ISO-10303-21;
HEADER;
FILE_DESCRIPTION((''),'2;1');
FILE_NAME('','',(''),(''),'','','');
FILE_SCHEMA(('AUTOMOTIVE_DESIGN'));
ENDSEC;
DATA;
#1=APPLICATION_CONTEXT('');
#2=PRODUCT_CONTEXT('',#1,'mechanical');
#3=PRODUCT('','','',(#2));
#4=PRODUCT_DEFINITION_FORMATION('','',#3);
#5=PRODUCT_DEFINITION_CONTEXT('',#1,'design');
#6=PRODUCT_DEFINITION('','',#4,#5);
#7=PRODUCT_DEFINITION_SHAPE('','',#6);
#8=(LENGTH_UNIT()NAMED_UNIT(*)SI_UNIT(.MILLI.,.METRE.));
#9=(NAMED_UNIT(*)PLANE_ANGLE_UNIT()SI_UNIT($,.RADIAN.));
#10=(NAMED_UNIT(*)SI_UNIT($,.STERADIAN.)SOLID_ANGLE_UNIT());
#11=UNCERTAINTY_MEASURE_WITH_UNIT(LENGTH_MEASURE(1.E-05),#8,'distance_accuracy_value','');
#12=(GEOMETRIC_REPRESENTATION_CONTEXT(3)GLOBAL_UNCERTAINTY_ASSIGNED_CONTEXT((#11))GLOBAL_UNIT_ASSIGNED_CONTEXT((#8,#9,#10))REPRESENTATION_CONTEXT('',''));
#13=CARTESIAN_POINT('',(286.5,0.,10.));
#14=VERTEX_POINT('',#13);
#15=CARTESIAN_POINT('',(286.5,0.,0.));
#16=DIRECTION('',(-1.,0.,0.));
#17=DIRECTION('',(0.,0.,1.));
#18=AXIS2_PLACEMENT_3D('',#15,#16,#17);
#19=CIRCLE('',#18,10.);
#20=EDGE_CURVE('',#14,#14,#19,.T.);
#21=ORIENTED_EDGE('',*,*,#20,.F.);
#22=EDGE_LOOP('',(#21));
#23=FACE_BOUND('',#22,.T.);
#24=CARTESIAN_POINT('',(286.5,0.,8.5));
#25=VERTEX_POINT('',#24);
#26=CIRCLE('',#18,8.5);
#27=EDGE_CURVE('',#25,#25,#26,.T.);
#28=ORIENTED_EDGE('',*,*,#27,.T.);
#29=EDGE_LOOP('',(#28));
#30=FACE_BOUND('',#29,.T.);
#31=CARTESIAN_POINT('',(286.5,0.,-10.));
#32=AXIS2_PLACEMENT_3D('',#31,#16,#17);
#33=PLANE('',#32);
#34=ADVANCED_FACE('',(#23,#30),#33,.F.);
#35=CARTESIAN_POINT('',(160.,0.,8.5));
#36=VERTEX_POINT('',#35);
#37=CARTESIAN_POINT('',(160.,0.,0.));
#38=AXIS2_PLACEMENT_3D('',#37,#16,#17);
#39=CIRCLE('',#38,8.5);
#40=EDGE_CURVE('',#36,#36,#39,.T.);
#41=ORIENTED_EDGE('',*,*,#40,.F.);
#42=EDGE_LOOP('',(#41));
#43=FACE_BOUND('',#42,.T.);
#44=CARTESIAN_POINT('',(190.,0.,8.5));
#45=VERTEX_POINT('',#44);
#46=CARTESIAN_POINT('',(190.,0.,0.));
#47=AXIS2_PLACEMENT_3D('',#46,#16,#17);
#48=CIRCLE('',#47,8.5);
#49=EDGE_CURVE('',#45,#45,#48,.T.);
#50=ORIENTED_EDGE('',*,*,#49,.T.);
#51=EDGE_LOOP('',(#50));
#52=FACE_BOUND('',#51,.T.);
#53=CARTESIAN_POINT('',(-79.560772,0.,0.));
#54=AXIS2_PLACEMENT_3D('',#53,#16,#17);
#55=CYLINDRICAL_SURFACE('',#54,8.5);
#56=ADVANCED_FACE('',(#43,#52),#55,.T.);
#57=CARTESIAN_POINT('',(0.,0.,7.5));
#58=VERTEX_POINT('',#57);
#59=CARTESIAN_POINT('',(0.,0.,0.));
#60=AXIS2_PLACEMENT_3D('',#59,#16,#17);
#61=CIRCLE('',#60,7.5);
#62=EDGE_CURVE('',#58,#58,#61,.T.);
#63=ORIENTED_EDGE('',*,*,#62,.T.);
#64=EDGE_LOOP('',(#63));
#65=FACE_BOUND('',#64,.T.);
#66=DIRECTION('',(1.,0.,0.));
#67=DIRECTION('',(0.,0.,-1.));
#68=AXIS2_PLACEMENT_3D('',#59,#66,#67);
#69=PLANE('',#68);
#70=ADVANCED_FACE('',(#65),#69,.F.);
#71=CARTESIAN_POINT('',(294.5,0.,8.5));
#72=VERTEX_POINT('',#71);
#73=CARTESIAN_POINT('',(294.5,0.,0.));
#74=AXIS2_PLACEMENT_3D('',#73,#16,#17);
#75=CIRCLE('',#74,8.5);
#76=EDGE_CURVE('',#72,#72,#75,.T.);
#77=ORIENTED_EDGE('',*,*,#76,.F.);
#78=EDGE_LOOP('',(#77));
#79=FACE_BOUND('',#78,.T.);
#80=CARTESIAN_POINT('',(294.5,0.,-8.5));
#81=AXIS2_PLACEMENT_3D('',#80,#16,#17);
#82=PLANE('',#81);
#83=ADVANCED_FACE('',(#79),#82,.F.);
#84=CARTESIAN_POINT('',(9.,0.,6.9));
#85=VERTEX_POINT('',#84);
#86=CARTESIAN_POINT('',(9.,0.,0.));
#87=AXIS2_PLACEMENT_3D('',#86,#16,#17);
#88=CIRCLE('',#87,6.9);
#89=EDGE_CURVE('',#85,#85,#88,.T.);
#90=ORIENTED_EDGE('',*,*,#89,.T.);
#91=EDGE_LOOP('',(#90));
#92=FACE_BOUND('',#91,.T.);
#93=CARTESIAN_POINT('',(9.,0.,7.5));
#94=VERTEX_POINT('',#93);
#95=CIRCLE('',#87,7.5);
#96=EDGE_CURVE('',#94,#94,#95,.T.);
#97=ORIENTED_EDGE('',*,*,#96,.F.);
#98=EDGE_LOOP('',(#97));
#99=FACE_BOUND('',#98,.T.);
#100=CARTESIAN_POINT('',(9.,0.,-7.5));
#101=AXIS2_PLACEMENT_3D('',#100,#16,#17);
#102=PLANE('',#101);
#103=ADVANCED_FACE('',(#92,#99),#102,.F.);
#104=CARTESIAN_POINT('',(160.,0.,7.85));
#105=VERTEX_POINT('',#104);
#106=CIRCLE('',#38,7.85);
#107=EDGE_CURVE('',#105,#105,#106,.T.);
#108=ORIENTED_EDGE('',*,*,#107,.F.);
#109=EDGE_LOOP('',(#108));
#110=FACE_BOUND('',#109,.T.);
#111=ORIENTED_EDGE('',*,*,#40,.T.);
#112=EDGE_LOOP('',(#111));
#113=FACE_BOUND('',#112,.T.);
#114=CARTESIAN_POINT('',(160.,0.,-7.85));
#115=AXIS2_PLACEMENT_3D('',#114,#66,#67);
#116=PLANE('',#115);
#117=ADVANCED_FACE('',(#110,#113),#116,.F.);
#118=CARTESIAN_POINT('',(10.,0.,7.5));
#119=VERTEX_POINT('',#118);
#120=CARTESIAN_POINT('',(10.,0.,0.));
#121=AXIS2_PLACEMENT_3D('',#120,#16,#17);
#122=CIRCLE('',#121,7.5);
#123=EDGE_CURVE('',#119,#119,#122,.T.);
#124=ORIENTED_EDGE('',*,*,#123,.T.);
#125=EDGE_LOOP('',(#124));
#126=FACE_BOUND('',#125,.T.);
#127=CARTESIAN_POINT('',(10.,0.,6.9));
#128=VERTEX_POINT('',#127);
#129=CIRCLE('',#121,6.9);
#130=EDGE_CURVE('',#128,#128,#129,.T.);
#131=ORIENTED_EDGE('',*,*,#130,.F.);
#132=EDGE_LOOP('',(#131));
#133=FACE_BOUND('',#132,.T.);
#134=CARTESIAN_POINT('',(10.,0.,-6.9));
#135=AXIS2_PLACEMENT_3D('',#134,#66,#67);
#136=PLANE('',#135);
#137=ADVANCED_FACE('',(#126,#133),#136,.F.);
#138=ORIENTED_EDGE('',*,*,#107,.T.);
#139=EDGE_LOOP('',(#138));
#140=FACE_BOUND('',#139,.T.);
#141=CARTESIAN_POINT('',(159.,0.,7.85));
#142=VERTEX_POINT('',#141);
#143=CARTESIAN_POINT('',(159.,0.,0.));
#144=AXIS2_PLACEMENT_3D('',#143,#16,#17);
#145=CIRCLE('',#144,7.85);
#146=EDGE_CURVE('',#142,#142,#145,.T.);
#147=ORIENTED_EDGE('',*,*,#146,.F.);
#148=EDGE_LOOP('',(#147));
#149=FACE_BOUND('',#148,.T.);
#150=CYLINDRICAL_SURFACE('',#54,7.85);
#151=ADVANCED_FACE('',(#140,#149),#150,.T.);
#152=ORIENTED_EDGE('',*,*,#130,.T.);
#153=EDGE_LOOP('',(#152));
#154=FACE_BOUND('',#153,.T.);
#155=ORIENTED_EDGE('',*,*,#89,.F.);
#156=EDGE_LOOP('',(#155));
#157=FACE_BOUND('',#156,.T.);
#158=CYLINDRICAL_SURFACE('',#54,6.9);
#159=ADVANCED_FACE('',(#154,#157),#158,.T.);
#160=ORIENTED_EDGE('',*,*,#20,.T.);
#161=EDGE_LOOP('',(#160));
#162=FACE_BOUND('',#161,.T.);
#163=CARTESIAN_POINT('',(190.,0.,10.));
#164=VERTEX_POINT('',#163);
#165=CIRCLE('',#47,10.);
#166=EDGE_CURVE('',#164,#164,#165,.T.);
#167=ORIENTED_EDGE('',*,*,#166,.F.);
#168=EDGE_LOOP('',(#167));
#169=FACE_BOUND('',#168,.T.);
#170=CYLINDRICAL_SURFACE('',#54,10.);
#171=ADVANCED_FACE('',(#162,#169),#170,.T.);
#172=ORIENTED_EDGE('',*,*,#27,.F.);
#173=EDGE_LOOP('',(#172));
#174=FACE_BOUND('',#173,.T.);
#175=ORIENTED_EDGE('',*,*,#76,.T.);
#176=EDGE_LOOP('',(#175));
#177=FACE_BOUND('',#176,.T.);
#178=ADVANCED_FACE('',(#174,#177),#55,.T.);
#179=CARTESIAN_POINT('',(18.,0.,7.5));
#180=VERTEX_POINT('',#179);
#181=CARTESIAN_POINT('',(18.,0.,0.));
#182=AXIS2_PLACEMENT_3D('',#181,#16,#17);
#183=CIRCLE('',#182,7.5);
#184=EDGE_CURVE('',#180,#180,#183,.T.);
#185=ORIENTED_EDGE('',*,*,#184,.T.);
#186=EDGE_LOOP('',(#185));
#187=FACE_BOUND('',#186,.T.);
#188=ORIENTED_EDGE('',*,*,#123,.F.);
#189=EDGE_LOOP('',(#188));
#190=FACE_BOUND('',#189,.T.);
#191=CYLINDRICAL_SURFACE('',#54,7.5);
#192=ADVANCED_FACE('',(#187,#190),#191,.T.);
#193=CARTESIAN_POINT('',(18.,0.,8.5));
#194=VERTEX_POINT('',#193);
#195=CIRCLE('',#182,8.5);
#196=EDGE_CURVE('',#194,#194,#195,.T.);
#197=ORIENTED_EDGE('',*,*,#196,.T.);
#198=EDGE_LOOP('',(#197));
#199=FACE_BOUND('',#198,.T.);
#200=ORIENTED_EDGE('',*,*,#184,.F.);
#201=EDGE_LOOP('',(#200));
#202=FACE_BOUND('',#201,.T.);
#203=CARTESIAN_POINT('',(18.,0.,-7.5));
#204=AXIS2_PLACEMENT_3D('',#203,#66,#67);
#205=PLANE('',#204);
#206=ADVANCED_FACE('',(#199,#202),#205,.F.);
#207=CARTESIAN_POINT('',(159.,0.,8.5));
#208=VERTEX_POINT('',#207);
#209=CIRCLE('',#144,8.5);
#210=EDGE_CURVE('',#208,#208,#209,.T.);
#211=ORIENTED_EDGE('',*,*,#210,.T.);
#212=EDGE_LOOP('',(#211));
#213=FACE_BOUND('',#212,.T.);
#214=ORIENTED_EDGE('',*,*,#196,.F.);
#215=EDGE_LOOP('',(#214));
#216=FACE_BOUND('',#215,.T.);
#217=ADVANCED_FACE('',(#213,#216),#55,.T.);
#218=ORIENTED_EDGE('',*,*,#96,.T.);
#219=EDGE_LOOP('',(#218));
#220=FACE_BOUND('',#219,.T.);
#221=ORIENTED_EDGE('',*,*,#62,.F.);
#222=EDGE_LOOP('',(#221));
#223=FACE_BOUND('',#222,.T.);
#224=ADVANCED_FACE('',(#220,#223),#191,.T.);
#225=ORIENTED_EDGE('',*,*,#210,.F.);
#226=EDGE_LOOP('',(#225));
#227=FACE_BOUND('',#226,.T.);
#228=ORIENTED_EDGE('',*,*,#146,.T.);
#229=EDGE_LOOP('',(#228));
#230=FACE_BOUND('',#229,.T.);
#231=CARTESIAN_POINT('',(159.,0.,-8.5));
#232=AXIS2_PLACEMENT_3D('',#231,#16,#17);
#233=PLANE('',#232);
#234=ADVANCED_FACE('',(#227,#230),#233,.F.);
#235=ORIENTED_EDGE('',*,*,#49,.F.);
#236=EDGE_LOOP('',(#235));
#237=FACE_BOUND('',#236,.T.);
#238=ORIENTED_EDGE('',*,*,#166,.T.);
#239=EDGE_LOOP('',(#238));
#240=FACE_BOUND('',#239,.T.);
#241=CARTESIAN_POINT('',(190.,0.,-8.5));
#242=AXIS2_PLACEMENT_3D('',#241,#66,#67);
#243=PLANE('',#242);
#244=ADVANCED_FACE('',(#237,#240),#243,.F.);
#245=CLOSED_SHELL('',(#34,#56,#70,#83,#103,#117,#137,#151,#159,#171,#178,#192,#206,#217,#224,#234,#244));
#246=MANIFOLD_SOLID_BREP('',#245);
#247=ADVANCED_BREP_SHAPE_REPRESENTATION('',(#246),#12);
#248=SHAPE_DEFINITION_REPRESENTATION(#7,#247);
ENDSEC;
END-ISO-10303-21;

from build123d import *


with BuildPart() as part:
    # 草图1 → 旋转1 (revolve)
    with BuildSketch(Plane(origin=(0, 0, 0), x_dir=(1, 0, 0), z_dir=(0, 1, 0)), mode=Mode.PRIVATE) as revolve_1_sk:
        Polygon((0, 0), (0, 7.5), (9, 7.5), (9, 6.9), (10, 6.9), (10, 7.5), (18, 7.5), (18, 8.5), (159, 8.5), (159, 7.85), (160, 7.85), (160, 8.5), (190, 8.5), (190, 10), (286.5, 10), (286.5, 8.5), (294.5, 8.5), (294.5, 0), align=None)
    revolve(revolve_1_sk.sketch.rotate(Axis((-79.560771626, 0, 0), (1, 0, 0)), 180), axis=Axis((-79.560771626, 0, 0), (1, 0, 0)))


solid = part.part
